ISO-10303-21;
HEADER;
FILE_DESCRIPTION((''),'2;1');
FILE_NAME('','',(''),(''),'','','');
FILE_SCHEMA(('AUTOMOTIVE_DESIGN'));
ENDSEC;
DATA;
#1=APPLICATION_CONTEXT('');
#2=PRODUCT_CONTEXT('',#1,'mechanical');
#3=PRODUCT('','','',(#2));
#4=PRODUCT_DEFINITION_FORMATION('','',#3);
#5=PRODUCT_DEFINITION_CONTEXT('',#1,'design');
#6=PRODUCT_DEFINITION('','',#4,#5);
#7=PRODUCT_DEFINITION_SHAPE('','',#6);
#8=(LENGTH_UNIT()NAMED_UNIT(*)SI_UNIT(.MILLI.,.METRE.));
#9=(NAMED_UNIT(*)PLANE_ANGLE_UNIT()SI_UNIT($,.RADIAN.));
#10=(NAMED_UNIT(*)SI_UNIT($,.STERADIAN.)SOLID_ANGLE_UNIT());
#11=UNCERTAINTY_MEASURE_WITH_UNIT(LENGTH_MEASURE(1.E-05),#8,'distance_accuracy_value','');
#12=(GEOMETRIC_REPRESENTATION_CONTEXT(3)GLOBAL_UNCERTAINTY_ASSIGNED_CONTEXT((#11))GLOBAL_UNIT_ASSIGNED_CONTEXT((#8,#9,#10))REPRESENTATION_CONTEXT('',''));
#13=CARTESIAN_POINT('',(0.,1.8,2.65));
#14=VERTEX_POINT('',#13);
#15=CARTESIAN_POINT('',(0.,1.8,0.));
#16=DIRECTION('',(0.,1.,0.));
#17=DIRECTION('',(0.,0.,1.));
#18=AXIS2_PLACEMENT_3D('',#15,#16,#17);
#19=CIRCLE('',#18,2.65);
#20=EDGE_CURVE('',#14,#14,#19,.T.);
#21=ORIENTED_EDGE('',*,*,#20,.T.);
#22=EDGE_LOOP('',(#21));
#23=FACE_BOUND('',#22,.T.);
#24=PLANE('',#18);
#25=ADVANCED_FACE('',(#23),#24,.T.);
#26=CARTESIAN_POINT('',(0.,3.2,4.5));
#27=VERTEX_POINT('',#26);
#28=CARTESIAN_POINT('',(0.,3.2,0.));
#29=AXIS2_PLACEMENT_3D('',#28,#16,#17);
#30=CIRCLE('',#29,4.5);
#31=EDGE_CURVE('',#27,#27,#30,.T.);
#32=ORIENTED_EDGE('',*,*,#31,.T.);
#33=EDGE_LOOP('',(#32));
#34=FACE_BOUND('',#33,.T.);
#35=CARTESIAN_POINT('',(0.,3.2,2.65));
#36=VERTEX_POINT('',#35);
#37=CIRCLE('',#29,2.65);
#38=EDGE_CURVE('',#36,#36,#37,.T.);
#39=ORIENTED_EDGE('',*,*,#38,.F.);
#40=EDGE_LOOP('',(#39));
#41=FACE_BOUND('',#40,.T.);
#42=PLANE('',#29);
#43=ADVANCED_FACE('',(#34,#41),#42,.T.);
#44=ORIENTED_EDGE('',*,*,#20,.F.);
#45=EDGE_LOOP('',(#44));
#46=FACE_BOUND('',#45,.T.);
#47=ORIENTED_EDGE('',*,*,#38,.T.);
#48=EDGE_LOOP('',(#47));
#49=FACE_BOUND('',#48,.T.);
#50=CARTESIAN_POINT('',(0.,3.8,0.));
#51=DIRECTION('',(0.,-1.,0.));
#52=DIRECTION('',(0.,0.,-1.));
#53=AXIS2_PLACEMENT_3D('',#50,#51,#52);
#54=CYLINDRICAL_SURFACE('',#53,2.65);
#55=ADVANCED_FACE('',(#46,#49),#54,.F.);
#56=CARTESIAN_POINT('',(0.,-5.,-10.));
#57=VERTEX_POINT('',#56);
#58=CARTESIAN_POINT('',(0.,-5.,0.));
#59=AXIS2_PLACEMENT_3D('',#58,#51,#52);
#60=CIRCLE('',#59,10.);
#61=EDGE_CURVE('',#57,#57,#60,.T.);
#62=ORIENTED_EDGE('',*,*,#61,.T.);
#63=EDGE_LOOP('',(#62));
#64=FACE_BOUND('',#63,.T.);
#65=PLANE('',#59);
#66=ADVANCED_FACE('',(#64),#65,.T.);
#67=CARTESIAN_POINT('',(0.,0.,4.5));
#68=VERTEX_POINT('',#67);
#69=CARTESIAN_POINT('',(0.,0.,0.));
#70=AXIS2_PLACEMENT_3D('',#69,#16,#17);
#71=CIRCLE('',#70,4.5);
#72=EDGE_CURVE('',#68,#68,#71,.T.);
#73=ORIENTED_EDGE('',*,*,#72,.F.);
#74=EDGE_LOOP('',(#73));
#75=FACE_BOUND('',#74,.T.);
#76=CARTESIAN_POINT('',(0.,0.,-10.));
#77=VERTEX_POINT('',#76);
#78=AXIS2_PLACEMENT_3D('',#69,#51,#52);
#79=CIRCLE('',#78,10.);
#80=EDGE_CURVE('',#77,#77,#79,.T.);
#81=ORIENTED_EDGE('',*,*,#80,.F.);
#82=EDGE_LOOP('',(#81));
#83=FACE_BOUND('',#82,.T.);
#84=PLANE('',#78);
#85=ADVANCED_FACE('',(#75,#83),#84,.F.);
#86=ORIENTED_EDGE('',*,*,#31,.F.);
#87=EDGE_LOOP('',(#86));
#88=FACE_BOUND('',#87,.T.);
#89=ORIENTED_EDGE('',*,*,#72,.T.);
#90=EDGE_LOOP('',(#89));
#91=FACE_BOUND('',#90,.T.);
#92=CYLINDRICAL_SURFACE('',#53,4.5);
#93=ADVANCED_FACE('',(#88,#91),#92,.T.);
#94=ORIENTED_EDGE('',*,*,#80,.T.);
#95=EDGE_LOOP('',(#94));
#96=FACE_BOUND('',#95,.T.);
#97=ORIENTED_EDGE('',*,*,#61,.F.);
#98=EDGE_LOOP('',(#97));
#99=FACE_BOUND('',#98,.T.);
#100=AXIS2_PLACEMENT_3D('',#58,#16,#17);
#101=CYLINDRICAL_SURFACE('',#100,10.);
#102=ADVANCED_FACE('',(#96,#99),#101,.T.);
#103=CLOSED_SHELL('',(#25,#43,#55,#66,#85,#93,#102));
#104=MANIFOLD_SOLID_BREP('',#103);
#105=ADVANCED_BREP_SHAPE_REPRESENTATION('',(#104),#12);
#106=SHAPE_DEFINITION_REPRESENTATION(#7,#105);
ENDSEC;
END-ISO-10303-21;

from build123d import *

# Parameters (mm, degrees)
SKETCH1_R           = 4.5
SKETCH1_R_2         = 2.65
BOSS_EXTRUDE1_DEPTH = 3.8
SKETCH2_R           = 2.65
BOSS_EXTRUDE2_DEPTH = 1.8
SKETCH3_R           = 10
BOSS_EXTRUDE3_DEPTH = 5
SKETCH4_R           = 6.809110127
CUT_EXTRUDE1_DEPTH  = 0.6


with BuildPart() as part:
    # Sketch1 → Boss-Extrude1 (new body)
    with BuildSketch(Plane(origin=(0, 0, 0), x_dir=(1, 0, 0), z_dir=(0, 1, 0))):
        Circle(SKETCH1_R)
        Circle(SKETCH1_R_2, mode=Mode.SUBTRACT)
    extrude(amount=BOSS_EXTRUDE1_DEPTH)

    # Sketch2 → Boss-Extrude2 (add)
    with BuildSketch(Plane.XZ):
        Circle(SKETCH2_R)
    extrude(amount=-BOSS_EXTRUDE2_DEPTH)

    # Sketch3 → Boss-Extrude3 (add)
    with BuildSketch(Plane.XZ):
        Circle(SKETCH3_R)
    extrude(amount=BOSS_EXTRUDE3_DEPTH)

    # Sketch4 → Cut-Extrude1 (cut)
    with BuildSketch(Plane(origin=(0, 3.8, 0), x_dir=(1, 0, 0), z_dir=(0, 1, 0))):
        Circle(SKETCH4_R)
    extrude(amount=-CUT_EXTRUDE1_DEPTH, mode=Mode.SUBTRACT)


solid = part.part
